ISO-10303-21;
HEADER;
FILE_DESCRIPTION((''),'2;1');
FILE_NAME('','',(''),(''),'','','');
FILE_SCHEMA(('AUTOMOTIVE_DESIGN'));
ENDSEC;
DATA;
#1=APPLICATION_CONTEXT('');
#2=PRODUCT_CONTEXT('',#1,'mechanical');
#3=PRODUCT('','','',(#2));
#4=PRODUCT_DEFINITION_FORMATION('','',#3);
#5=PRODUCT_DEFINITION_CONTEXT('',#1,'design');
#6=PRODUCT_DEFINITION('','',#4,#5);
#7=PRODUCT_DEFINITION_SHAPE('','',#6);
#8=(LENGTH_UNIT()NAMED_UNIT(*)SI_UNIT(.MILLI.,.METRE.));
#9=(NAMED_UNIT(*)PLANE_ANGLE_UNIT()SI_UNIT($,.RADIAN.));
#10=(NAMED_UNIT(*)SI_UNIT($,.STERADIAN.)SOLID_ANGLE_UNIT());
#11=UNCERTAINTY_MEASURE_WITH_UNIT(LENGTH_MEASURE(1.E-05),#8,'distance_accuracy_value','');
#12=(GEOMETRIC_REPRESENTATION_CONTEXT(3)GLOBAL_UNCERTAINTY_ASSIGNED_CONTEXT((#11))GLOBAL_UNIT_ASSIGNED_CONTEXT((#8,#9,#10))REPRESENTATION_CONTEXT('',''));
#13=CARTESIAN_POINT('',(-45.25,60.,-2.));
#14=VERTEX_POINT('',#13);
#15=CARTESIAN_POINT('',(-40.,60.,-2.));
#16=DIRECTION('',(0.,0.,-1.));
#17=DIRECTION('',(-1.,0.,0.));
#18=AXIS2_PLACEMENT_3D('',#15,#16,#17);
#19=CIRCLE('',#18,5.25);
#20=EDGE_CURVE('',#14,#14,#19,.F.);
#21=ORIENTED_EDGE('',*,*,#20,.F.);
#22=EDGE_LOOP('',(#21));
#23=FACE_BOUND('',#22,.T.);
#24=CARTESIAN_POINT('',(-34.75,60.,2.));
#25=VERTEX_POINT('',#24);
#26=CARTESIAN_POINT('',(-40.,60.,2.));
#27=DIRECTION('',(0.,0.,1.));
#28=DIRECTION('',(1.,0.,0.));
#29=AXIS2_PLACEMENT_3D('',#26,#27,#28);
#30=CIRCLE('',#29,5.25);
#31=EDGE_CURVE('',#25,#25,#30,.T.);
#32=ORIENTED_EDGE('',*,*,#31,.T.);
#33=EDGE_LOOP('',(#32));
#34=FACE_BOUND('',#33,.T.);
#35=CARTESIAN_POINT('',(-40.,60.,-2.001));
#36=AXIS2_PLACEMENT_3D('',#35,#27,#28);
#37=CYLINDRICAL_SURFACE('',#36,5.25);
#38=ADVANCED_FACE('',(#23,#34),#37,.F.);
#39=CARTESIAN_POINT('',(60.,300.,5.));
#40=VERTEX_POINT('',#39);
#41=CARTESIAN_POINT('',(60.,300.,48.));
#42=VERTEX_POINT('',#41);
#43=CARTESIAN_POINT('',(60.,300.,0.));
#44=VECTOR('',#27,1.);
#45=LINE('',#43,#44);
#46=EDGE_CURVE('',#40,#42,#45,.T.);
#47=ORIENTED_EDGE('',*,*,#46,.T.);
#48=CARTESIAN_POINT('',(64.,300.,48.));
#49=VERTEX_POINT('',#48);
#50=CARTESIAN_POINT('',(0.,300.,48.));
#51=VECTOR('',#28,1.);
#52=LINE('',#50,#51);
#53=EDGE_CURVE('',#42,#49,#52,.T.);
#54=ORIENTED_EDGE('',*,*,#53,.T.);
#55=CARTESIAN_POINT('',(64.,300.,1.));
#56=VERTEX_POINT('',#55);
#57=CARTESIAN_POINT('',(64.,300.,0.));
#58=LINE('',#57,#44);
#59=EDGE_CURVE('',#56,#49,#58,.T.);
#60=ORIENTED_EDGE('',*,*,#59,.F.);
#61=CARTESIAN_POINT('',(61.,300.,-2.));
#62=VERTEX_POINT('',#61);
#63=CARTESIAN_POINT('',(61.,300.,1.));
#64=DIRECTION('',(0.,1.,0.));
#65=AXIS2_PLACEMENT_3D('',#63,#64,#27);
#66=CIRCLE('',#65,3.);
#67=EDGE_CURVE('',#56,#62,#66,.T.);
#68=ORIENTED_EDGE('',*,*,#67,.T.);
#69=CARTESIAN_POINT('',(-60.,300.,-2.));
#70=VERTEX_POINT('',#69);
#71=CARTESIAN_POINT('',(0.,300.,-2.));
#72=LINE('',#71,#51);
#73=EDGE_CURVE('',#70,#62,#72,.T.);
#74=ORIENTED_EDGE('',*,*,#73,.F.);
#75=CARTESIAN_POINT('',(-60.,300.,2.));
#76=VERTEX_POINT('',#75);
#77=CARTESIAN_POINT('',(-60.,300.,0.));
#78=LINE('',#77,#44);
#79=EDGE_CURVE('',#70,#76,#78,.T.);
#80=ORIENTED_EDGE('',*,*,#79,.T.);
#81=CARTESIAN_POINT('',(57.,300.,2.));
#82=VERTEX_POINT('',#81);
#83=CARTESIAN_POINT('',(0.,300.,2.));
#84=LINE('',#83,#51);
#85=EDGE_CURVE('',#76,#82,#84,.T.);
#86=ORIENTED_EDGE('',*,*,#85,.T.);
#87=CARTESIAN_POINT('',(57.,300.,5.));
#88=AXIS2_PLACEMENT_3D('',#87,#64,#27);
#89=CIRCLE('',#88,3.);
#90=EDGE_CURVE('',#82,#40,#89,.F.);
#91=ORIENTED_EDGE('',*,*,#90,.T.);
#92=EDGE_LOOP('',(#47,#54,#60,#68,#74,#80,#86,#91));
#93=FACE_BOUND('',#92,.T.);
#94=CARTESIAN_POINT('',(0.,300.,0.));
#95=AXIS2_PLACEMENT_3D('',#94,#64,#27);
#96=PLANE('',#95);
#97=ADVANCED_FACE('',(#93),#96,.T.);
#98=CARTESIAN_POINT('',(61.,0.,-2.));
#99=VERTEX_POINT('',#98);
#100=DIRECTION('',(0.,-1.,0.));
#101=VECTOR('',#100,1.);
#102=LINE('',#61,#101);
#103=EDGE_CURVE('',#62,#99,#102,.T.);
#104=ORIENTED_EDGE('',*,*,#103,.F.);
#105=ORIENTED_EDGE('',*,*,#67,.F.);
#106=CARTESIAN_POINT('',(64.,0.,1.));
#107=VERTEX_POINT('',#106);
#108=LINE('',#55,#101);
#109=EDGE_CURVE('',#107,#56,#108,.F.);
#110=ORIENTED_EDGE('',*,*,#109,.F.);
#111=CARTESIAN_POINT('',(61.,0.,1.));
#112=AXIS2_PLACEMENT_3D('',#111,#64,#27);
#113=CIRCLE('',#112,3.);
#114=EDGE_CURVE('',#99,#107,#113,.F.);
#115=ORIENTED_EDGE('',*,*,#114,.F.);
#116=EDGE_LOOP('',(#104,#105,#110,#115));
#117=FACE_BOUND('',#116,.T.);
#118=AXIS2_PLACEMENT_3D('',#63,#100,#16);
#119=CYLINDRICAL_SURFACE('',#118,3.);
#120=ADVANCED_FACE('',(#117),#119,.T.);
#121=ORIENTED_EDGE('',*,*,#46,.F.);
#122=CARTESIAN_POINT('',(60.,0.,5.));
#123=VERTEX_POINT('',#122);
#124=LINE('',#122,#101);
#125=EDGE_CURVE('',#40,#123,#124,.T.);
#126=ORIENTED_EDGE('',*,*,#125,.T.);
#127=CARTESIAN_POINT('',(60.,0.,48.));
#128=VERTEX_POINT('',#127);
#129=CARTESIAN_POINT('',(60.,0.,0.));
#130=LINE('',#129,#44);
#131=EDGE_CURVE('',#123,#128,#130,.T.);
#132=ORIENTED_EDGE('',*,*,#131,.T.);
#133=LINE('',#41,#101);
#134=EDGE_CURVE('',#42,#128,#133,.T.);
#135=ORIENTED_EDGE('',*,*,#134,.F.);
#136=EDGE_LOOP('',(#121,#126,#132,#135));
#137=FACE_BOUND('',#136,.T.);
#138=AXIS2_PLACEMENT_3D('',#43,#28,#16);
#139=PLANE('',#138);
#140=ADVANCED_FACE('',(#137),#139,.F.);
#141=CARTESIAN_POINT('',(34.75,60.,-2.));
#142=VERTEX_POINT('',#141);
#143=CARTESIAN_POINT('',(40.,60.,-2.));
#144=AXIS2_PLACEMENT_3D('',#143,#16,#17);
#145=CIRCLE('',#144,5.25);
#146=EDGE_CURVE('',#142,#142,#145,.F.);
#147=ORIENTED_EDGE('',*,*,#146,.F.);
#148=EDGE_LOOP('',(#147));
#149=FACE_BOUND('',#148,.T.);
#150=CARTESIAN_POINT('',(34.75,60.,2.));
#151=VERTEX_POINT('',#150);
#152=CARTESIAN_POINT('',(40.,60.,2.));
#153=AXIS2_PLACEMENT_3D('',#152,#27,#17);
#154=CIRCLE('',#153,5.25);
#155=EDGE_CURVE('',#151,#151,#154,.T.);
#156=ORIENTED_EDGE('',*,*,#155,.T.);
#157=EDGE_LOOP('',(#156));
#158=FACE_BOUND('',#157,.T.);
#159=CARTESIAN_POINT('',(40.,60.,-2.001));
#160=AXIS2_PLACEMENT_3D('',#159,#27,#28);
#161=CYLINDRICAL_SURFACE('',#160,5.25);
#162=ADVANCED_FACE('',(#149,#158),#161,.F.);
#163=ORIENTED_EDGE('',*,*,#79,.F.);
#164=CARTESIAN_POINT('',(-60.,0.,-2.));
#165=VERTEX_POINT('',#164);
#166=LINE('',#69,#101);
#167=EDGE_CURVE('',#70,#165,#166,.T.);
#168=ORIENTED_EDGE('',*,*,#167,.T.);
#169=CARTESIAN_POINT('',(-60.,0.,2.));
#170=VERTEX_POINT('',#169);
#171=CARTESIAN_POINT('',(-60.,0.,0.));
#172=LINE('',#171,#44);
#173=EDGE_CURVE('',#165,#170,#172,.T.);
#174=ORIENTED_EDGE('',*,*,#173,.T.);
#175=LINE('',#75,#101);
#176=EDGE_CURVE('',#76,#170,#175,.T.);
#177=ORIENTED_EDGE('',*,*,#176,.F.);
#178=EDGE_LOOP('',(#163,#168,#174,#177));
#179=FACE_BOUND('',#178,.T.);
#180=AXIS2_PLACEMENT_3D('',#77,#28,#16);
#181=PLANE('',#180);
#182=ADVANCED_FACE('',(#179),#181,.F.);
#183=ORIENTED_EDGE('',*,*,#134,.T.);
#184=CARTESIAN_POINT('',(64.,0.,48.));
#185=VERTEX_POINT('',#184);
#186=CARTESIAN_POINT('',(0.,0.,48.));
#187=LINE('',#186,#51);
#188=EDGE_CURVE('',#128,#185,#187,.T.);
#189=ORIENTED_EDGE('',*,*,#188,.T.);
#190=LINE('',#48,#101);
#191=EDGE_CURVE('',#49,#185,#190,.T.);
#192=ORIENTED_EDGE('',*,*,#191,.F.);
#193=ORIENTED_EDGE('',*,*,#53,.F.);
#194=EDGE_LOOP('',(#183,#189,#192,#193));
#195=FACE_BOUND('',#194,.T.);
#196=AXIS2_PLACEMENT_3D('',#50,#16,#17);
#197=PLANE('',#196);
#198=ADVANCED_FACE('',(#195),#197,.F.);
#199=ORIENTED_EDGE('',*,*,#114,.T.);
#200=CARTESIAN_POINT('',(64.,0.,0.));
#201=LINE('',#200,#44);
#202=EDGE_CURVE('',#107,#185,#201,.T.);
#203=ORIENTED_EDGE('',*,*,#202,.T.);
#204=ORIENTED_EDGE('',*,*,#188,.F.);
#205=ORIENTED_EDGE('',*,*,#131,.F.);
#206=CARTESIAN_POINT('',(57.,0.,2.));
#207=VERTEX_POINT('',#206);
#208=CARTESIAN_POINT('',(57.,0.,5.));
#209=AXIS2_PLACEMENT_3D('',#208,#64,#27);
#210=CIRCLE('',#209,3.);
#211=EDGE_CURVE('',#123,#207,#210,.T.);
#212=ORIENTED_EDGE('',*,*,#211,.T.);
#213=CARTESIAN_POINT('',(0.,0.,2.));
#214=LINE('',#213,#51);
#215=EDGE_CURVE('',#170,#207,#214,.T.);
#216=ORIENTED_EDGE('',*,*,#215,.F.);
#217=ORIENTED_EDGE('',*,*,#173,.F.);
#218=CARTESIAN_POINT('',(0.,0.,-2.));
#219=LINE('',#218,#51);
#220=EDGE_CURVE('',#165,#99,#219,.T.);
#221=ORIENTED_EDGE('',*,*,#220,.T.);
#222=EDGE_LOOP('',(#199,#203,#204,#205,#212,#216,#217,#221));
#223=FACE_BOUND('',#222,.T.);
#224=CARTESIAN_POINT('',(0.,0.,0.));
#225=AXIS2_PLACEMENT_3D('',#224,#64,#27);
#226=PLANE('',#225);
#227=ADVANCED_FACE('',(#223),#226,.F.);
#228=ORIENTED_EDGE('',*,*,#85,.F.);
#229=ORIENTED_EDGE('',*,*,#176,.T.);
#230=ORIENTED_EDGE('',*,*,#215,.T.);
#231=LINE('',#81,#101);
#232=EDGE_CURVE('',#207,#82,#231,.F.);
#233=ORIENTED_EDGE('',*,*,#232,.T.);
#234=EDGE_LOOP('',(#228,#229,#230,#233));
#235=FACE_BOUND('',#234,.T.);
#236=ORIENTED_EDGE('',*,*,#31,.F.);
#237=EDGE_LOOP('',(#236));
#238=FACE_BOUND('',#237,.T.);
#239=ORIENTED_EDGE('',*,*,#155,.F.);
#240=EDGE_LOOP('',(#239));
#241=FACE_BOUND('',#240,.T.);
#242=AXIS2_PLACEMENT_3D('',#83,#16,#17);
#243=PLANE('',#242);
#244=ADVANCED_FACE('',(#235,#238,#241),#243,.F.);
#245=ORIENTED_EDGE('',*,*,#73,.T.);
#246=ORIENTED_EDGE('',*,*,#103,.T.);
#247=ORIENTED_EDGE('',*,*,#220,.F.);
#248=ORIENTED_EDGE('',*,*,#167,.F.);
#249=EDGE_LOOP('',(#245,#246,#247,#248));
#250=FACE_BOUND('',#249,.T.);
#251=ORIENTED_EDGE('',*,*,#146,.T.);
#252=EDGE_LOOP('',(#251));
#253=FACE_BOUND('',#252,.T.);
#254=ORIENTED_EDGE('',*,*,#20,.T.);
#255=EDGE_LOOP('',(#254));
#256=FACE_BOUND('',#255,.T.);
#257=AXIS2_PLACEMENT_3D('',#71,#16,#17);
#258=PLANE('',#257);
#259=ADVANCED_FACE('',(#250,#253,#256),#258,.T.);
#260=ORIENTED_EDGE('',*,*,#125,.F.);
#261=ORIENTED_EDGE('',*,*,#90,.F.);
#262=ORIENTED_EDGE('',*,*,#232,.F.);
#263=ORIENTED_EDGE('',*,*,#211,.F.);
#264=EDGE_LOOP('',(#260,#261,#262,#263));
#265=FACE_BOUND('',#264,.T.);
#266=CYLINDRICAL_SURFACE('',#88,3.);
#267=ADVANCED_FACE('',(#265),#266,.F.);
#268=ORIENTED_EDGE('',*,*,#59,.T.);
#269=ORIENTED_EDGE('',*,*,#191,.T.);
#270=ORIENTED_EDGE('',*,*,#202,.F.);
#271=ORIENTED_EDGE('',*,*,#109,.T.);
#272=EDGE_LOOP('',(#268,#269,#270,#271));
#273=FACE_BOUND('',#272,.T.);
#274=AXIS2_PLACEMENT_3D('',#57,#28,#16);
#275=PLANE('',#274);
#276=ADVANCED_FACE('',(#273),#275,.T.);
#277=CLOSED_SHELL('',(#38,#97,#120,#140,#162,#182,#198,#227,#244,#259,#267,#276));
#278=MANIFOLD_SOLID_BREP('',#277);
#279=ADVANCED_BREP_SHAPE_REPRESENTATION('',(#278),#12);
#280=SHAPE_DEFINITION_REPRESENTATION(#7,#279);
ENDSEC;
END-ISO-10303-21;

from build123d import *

# Parameters (mm, degrees)
SKETCH1_W        = 120
SKETCH1_H        = 4
EXTRUDE_2_DEPTH  = 300
FILLET_2_R       = 3
HOLES_LEFT_REACH = 6
SKETCH3_R        = 5.25


with BuildPart() as part:
    # Sketch1 → Extrude 2 (new body)
    with BuildSketch(Plane(origin=(0, 0, 0), x_dir=(1, 0, 0), z_dir=(0, 1, 0))):
        Polygon((64, 2), (60, 2), (60, -2), (60, -48), (64, -48), align=None)
        Rectangle(SKETCH1_W, SKETCH1_H)
    extrude(amount=EXTRUDE_2_DEPTH)

    # Fillet 2
    fillet_2_edges = [part.edges().sort_by_distance(p)[0] for p in [
        (64, 150, -2),
        (60, 150, 2),
    ]]
    fillet(fillet_2_edges, radius=FILLET_2_R)

    # Sketch3 → Holes left (cut, up to next)
    with BuildSketch(Plane.XY.offset(2), mode=Mode.PRIVATE) as holes_left_sk1:
        with Locations((-40, 60)):
            Circle(SKETCH3_R)
    holes_left_tool1 = extrude(holes_left_sk1.sketch, amount=-HOLES_LEFT_REACH, mode=Mode.PRIVATE) & part.part
    add(holes_left_tool1.solids().sort_by_distance((-40, 60, 2))[0], mode=Mode.SUBTRACT)
    # Sketch3 → Holes left (cut, up to next)
    with BuildSketch(Plane.XY.offset(2), mode=Mode.PRIVATE) as holes_left_sk2:
        with Locations((40, 60)):
            Circle(SKETCH3_R)
    holes_left_tool2 = extrude(holes_left_sk2.sketch, amount=-HOLES_LEFT_REACH, mode=Mode.PRIVATE) & part.part
    add(holes_left_tool2.solids().sort_by_distance((40, 60, 2))[0], mode=Mode.SUBTRACT)


solid = part.part
